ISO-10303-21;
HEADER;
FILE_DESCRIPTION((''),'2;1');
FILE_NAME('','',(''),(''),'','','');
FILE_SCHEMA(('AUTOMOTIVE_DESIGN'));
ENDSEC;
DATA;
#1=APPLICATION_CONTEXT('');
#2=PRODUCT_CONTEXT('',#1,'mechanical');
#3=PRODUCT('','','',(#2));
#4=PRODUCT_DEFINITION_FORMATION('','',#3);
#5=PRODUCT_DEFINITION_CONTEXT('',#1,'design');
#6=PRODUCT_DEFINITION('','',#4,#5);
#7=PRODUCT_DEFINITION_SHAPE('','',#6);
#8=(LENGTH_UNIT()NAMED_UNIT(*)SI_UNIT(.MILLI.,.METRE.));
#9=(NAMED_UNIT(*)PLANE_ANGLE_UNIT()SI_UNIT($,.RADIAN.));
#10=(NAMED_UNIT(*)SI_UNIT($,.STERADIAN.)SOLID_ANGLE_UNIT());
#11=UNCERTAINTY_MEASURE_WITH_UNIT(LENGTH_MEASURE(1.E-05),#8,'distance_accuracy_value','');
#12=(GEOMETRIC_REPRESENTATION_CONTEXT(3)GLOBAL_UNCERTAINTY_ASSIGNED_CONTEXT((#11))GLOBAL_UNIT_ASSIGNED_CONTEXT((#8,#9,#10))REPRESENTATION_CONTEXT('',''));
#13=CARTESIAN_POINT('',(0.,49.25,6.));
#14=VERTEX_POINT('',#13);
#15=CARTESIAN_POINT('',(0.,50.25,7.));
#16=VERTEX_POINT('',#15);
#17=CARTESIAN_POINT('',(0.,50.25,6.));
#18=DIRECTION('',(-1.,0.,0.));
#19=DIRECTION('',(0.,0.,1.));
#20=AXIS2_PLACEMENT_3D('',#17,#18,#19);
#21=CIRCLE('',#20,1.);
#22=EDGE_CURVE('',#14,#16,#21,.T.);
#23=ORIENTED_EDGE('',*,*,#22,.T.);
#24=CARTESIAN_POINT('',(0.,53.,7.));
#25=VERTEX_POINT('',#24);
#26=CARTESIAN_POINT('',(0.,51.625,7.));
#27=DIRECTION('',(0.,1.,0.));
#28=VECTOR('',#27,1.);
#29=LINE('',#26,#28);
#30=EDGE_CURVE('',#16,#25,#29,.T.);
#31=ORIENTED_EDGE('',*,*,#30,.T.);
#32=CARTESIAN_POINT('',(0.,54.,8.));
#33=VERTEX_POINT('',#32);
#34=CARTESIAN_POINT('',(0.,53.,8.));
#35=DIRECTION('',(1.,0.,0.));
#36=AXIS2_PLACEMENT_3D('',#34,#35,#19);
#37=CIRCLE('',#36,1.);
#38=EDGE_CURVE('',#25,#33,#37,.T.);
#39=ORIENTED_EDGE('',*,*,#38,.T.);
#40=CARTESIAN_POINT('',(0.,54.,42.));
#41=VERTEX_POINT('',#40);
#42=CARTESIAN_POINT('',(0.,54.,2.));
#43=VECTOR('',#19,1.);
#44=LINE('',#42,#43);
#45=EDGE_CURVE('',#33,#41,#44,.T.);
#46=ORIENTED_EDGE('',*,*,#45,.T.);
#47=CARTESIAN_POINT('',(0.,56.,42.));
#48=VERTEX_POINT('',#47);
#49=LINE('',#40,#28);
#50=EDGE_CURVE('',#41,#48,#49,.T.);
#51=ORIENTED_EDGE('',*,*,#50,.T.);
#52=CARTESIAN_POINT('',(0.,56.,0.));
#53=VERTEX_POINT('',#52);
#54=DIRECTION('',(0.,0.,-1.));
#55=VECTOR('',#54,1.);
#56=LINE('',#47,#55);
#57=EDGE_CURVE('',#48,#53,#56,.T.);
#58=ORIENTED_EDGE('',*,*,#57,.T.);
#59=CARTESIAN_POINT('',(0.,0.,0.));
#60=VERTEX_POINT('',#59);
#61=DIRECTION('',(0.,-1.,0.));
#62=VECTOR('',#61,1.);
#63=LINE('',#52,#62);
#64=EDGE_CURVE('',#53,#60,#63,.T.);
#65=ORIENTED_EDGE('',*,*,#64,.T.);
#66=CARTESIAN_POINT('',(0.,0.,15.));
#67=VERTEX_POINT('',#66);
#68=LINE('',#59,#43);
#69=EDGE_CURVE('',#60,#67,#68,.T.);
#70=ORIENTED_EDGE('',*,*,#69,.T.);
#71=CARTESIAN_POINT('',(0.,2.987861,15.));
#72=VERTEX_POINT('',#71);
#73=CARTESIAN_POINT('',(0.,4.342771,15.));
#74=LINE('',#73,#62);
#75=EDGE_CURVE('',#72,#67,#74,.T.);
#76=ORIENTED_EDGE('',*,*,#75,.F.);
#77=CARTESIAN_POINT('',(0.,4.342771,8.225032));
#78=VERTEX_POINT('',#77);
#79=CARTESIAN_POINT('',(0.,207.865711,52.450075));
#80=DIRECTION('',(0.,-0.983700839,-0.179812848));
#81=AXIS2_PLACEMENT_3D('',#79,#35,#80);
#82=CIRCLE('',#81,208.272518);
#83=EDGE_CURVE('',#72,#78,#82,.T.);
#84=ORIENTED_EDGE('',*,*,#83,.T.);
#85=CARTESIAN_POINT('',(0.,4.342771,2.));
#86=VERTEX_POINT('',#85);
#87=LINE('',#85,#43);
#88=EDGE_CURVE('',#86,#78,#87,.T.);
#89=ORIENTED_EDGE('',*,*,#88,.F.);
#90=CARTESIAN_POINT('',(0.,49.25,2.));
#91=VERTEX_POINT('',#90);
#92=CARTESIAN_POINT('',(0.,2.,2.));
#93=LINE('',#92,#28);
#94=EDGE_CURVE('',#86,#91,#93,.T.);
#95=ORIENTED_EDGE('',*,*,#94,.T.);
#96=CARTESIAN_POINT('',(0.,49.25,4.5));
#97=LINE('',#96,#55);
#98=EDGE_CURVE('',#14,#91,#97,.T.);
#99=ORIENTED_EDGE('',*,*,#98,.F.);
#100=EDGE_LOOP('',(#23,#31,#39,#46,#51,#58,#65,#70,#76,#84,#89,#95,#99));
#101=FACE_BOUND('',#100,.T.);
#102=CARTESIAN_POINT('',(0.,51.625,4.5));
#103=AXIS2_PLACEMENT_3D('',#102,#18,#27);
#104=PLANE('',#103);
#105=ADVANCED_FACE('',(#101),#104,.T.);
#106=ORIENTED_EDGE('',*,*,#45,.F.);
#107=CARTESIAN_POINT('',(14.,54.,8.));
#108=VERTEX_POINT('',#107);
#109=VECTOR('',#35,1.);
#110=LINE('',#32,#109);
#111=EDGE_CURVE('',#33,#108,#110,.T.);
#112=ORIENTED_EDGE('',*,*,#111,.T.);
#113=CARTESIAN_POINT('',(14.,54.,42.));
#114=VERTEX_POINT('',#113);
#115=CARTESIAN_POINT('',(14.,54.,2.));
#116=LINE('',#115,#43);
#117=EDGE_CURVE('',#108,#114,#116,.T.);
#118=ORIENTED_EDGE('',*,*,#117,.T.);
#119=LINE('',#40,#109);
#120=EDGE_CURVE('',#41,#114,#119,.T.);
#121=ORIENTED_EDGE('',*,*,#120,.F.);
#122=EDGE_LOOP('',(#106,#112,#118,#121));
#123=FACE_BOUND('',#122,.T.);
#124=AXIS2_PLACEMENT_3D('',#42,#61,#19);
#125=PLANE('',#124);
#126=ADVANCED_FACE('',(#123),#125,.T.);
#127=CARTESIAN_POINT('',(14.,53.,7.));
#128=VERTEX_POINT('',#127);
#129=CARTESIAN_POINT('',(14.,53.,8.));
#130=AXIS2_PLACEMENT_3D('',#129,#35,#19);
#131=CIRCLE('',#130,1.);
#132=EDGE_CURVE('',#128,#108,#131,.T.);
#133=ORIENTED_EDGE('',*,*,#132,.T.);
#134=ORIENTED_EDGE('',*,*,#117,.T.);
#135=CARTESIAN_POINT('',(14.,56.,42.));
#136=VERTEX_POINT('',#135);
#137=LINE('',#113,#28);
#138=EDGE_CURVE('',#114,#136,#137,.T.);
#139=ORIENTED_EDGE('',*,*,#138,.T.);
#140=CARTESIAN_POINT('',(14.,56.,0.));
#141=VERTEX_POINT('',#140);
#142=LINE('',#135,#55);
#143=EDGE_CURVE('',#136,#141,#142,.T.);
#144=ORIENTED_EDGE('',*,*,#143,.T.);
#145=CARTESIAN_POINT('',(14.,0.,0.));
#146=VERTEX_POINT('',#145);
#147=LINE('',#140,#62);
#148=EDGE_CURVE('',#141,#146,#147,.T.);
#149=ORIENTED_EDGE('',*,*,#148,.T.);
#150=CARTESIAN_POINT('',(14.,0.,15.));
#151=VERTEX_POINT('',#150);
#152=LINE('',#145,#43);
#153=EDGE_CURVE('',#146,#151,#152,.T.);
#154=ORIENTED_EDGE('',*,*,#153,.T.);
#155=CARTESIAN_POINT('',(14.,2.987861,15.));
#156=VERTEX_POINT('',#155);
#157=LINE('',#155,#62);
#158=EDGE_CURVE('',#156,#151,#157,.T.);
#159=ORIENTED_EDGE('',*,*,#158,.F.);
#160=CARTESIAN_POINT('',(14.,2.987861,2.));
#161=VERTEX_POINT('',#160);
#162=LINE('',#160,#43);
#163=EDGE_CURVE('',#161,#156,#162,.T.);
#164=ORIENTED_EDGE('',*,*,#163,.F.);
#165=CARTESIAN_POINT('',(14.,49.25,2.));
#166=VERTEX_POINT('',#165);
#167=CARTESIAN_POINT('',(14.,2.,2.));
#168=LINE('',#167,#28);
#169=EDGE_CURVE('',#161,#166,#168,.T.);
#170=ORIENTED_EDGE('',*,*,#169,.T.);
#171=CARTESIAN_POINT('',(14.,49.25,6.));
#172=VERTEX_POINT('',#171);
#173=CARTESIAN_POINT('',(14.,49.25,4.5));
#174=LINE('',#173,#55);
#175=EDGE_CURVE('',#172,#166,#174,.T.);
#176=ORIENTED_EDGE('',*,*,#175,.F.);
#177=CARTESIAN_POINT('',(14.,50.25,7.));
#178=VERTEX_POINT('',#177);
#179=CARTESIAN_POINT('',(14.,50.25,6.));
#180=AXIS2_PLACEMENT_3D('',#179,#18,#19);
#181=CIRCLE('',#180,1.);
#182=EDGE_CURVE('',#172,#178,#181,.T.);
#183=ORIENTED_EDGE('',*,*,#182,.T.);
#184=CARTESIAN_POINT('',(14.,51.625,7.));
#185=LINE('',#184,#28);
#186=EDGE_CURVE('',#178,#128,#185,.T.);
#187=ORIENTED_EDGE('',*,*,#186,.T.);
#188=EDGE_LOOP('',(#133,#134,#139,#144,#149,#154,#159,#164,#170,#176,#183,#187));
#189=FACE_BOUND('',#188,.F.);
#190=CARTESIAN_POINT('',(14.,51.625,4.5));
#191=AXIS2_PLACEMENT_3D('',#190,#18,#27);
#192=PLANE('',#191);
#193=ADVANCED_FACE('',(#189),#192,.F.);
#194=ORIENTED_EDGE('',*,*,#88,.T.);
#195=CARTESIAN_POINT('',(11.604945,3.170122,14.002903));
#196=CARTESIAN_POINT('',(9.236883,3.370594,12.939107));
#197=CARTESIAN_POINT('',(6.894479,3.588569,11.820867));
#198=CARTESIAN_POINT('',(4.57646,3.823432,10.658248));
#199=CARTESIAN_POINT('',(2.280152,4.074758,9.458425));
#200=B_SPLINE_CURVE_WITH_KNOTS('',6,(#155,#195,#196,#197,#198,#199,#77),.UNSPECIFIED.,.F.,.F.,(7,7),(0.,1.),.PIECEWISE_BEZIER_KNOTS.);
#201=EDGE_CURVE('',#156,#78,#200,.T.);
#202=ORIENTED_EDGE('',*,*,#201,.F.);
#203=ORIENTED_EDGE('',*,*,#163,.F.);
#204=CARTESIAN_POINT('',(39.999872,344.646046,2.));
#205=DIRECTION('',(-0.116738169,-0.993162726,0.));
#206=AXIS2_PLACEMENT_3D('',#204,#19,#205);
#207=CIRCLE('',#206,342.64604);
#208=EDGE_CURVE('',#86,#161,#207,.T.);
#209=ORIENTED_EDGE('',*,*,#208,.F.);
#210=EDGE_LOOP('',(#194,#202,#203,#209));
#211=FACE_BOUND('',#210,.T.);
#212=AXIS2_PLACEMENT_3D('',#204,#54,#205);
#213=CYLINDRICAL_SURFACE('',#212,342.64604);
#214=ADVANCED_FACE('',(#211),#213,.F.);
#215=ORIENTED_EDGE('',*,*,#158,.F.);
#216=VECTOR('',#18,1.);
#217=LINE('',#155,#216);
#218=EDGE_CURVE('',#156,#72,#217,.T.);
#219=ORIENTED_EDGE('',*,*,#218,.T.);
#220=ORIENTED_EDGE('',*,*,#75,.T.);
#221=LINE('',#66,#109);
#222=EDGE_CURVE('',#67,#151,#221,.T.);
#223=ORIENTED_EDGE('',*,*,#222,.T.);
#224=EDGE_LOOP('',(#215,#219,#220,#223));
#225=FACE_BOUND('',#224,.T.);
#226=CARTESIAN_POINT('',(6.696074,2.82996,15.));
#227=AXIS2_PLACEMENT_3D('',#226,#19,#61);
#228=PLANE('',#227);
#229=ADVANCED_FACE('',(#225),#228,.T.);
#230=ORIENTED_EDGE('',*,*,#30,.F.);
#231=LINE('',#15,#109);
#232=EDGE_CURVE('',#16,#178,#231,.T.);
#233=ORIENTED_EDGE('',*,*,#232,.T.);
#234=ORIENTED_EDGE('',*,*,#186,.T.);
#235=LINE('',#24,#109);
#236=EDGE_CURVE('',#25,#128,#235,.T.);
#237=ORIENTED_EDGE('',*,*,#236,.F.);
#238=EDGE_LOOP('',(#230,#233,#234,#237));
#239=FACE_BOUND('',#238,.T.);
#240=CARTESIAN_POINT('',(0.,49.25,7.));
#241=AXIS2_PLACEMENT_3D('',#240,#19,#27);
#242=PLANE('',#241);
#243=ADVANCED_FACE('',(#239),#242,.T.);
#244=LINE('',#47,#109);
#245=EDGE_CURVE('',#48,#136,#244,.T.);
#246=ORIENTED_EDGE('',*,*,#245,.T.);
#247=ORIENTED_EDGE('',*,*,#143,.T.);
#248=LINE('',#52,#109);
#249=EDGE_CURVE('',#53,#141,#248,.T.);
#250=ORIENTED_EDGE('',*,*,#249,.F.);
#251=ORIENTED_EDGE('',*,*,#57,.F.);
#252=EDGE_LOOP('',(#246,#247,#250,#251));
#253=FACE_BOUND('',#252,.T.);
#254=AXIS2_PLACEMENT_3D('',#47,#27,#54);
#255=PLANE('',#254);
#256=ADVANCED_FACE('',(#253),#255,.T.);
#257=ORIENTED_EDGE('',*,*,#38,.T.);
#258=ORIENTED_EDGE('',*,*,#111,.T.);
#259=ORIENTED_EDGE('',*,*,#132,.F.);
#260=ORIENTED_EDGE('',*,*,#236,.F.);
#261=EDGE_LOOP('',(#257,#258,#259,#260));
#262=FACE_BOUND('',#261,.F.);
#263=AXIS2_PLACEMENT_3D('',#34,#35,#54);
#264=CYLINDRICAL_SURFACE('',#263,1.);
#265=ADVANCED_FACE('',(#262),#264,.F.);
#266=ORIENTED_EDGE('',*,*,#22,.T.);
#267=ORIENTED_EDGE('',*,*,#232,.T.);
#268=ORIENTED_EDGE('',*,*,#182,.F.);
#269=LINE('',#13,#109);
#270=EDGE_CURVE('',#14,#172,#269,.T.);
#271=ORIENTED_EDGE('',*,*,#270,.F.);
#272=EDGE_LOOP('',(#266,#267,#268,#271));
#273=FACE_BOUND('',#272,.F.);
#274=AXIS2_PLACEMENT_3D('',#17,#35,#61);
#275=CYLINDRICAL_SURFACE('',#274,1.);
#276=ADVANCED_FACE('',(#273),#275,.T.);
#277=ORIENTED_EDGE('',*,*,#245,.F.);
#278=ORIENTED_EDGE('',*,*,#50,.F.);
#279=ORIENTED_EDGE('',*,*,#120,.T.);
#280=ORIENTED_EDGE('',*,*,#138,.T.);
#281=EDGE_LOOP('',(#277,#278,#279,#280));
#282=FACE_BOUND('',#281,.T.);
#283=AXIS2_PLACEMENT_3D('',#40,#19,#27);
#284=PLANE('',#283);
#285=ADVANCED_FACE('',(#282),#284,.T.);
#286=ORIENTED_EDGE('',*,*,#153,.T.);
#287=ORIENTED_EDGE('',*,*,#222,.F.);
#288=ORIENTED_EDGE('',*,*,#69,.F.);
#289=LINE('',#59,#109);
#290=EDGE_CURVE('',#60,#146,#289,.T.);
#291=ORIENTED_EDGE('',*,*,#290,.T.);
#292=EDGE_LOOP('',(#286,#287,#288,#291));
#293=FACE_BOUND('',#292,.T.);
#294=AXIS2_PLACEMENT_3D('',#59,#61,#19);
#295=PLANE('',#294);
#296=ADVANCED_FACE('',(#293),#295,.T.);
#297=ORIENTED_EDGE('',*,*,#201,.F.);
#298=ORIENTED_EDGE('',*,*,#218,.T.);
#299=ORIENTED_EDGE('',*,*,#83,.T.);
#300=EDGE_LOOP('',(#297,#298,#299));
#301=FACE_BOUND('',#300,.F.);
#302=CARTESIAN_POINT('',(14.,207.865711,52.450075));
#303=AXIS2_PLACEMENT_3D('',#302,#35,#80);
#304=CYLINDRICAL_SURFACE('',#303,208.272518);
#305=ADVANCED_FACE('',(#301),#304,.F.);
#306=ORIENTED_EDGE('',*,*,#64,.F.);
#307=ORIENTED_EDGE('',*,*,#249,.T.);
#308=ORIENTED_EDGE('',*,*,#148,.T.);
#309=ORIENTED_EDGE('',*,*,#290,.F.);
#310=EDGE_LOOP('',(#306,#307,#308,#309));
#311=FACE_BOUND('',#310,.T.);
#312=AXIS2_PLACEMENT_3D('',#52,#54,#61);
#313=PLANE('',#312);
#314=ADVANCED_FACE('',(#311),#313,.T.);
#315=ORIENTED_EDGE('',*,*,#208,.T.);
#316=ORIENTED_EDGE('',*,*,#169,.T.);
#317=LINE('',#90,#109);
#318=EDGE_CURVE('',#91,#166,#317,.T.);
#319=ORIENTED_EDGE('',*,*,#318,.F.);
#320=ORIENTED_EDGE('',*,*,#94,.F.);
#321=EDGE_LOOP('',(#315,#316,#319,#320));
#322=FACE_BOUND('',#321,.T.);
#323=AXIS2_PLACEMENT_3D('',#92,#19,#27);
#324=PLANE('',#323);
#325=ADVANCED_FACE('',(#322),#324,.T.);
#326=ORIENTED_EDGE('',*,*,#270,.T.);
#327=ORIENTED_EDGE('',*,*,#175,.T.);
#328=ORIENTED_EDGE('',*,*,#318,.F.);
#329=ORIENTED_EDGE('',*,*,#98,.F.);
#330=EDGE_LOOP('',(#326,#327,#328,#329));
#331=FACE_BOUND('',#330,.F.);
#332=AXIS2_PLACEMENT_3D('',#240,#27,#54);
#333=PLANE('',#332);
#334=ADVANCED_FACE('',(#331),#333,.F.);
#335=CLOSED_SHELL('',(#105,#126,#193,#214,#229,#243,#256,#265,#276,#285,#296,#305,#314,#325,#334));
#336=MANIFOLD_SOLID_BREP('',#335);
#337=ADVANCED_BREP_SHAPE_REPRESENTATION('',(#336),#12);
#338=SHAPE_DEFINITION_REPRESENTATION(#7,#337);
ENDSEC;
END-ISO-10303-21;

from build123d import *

# Parameters (mm, degrees)
PAD_DEPTH    = 14
PAD001_DEPTH = 13
POCKET_DEPTH = 100
SKETCH003_W  = 4.75
SKETCH003_H  = 5
PAD002_DEPTH = 14
FILLET_R     = 1
FILLET001_R  = 1


with BuildPart() as part:
    # Sketch → Pad (new body)
    with BuildSketch(Plane.YZ):
        Polygon((0, 0), (0, 15), (2, 15), (2, 2), (54, 2), (54, 42), (56, 42), (56, 0), align=None)
    extrude(amount=PAD_DEPTH)

    # Sketch001 (on Face4 of Pad) → Pad001 (join)
    with BuildSketch(Plane(origin=(0, 0, 2), x_dir=(0, -1, 0), z_dir=(0, 0, 1))):
        with BuildLine():
            Line((-2, 14), (-2.987861, 14))
            ThreePointArc((-4.342771, 0), (-3.593472, 6.993047), (-2.987861, 14))
            Line((-2, 0), (-4.342771, 0))
            Line((-2, 0), (-2, 14))
        make_face()
    extrude(amount=PAD001_DEPTH)

    # Sketch002 (on Face10 of Pad001) → Pocket (cut)
    with BuildSketch(Plane.YZ.offset(14)):
        with BuildLine():
            ThreePointArc((2.987861, 15), (4.153127, 9.106971), (5.487861, 3.25))
            Line((5.487861, 15), (5.487861, 3.25))
            Line((2.987861, 15), (5.487861, 15))
        make_face()
    extrude(amount=-POCKET_DEPTH, mode=Mode.SUBTRACT)

    # Sketch003 (on Face2 of Pocket) → Pad002 (join)
    with BuildSketch(Plane(origin=(0, 0, 0), x_dir=(0, 1, 0), z_dir=(-1, 0, 0))):
        with Locations((51.625, -4.5)):
            Rectangle(SKETCH003_W, SKETCH003_H)
    extrude(amount=-PAD002_DEPTH)

    # Fillet
    fillet_edges = [part.edges().sort_by_distance(p)[0] for p in [
        (7, 49.25, 7),
    ]]
    fillet(fillet_edges, radius=FILLET_R)

    # Fillet001
    fillet001_edges = [part.edges().sort_by_distance(p)[0] for p in [
        (7, 54, 7),
    ]]
    fillet(fillet001_edges, radius=FILLET001_R)


solid = part.part
